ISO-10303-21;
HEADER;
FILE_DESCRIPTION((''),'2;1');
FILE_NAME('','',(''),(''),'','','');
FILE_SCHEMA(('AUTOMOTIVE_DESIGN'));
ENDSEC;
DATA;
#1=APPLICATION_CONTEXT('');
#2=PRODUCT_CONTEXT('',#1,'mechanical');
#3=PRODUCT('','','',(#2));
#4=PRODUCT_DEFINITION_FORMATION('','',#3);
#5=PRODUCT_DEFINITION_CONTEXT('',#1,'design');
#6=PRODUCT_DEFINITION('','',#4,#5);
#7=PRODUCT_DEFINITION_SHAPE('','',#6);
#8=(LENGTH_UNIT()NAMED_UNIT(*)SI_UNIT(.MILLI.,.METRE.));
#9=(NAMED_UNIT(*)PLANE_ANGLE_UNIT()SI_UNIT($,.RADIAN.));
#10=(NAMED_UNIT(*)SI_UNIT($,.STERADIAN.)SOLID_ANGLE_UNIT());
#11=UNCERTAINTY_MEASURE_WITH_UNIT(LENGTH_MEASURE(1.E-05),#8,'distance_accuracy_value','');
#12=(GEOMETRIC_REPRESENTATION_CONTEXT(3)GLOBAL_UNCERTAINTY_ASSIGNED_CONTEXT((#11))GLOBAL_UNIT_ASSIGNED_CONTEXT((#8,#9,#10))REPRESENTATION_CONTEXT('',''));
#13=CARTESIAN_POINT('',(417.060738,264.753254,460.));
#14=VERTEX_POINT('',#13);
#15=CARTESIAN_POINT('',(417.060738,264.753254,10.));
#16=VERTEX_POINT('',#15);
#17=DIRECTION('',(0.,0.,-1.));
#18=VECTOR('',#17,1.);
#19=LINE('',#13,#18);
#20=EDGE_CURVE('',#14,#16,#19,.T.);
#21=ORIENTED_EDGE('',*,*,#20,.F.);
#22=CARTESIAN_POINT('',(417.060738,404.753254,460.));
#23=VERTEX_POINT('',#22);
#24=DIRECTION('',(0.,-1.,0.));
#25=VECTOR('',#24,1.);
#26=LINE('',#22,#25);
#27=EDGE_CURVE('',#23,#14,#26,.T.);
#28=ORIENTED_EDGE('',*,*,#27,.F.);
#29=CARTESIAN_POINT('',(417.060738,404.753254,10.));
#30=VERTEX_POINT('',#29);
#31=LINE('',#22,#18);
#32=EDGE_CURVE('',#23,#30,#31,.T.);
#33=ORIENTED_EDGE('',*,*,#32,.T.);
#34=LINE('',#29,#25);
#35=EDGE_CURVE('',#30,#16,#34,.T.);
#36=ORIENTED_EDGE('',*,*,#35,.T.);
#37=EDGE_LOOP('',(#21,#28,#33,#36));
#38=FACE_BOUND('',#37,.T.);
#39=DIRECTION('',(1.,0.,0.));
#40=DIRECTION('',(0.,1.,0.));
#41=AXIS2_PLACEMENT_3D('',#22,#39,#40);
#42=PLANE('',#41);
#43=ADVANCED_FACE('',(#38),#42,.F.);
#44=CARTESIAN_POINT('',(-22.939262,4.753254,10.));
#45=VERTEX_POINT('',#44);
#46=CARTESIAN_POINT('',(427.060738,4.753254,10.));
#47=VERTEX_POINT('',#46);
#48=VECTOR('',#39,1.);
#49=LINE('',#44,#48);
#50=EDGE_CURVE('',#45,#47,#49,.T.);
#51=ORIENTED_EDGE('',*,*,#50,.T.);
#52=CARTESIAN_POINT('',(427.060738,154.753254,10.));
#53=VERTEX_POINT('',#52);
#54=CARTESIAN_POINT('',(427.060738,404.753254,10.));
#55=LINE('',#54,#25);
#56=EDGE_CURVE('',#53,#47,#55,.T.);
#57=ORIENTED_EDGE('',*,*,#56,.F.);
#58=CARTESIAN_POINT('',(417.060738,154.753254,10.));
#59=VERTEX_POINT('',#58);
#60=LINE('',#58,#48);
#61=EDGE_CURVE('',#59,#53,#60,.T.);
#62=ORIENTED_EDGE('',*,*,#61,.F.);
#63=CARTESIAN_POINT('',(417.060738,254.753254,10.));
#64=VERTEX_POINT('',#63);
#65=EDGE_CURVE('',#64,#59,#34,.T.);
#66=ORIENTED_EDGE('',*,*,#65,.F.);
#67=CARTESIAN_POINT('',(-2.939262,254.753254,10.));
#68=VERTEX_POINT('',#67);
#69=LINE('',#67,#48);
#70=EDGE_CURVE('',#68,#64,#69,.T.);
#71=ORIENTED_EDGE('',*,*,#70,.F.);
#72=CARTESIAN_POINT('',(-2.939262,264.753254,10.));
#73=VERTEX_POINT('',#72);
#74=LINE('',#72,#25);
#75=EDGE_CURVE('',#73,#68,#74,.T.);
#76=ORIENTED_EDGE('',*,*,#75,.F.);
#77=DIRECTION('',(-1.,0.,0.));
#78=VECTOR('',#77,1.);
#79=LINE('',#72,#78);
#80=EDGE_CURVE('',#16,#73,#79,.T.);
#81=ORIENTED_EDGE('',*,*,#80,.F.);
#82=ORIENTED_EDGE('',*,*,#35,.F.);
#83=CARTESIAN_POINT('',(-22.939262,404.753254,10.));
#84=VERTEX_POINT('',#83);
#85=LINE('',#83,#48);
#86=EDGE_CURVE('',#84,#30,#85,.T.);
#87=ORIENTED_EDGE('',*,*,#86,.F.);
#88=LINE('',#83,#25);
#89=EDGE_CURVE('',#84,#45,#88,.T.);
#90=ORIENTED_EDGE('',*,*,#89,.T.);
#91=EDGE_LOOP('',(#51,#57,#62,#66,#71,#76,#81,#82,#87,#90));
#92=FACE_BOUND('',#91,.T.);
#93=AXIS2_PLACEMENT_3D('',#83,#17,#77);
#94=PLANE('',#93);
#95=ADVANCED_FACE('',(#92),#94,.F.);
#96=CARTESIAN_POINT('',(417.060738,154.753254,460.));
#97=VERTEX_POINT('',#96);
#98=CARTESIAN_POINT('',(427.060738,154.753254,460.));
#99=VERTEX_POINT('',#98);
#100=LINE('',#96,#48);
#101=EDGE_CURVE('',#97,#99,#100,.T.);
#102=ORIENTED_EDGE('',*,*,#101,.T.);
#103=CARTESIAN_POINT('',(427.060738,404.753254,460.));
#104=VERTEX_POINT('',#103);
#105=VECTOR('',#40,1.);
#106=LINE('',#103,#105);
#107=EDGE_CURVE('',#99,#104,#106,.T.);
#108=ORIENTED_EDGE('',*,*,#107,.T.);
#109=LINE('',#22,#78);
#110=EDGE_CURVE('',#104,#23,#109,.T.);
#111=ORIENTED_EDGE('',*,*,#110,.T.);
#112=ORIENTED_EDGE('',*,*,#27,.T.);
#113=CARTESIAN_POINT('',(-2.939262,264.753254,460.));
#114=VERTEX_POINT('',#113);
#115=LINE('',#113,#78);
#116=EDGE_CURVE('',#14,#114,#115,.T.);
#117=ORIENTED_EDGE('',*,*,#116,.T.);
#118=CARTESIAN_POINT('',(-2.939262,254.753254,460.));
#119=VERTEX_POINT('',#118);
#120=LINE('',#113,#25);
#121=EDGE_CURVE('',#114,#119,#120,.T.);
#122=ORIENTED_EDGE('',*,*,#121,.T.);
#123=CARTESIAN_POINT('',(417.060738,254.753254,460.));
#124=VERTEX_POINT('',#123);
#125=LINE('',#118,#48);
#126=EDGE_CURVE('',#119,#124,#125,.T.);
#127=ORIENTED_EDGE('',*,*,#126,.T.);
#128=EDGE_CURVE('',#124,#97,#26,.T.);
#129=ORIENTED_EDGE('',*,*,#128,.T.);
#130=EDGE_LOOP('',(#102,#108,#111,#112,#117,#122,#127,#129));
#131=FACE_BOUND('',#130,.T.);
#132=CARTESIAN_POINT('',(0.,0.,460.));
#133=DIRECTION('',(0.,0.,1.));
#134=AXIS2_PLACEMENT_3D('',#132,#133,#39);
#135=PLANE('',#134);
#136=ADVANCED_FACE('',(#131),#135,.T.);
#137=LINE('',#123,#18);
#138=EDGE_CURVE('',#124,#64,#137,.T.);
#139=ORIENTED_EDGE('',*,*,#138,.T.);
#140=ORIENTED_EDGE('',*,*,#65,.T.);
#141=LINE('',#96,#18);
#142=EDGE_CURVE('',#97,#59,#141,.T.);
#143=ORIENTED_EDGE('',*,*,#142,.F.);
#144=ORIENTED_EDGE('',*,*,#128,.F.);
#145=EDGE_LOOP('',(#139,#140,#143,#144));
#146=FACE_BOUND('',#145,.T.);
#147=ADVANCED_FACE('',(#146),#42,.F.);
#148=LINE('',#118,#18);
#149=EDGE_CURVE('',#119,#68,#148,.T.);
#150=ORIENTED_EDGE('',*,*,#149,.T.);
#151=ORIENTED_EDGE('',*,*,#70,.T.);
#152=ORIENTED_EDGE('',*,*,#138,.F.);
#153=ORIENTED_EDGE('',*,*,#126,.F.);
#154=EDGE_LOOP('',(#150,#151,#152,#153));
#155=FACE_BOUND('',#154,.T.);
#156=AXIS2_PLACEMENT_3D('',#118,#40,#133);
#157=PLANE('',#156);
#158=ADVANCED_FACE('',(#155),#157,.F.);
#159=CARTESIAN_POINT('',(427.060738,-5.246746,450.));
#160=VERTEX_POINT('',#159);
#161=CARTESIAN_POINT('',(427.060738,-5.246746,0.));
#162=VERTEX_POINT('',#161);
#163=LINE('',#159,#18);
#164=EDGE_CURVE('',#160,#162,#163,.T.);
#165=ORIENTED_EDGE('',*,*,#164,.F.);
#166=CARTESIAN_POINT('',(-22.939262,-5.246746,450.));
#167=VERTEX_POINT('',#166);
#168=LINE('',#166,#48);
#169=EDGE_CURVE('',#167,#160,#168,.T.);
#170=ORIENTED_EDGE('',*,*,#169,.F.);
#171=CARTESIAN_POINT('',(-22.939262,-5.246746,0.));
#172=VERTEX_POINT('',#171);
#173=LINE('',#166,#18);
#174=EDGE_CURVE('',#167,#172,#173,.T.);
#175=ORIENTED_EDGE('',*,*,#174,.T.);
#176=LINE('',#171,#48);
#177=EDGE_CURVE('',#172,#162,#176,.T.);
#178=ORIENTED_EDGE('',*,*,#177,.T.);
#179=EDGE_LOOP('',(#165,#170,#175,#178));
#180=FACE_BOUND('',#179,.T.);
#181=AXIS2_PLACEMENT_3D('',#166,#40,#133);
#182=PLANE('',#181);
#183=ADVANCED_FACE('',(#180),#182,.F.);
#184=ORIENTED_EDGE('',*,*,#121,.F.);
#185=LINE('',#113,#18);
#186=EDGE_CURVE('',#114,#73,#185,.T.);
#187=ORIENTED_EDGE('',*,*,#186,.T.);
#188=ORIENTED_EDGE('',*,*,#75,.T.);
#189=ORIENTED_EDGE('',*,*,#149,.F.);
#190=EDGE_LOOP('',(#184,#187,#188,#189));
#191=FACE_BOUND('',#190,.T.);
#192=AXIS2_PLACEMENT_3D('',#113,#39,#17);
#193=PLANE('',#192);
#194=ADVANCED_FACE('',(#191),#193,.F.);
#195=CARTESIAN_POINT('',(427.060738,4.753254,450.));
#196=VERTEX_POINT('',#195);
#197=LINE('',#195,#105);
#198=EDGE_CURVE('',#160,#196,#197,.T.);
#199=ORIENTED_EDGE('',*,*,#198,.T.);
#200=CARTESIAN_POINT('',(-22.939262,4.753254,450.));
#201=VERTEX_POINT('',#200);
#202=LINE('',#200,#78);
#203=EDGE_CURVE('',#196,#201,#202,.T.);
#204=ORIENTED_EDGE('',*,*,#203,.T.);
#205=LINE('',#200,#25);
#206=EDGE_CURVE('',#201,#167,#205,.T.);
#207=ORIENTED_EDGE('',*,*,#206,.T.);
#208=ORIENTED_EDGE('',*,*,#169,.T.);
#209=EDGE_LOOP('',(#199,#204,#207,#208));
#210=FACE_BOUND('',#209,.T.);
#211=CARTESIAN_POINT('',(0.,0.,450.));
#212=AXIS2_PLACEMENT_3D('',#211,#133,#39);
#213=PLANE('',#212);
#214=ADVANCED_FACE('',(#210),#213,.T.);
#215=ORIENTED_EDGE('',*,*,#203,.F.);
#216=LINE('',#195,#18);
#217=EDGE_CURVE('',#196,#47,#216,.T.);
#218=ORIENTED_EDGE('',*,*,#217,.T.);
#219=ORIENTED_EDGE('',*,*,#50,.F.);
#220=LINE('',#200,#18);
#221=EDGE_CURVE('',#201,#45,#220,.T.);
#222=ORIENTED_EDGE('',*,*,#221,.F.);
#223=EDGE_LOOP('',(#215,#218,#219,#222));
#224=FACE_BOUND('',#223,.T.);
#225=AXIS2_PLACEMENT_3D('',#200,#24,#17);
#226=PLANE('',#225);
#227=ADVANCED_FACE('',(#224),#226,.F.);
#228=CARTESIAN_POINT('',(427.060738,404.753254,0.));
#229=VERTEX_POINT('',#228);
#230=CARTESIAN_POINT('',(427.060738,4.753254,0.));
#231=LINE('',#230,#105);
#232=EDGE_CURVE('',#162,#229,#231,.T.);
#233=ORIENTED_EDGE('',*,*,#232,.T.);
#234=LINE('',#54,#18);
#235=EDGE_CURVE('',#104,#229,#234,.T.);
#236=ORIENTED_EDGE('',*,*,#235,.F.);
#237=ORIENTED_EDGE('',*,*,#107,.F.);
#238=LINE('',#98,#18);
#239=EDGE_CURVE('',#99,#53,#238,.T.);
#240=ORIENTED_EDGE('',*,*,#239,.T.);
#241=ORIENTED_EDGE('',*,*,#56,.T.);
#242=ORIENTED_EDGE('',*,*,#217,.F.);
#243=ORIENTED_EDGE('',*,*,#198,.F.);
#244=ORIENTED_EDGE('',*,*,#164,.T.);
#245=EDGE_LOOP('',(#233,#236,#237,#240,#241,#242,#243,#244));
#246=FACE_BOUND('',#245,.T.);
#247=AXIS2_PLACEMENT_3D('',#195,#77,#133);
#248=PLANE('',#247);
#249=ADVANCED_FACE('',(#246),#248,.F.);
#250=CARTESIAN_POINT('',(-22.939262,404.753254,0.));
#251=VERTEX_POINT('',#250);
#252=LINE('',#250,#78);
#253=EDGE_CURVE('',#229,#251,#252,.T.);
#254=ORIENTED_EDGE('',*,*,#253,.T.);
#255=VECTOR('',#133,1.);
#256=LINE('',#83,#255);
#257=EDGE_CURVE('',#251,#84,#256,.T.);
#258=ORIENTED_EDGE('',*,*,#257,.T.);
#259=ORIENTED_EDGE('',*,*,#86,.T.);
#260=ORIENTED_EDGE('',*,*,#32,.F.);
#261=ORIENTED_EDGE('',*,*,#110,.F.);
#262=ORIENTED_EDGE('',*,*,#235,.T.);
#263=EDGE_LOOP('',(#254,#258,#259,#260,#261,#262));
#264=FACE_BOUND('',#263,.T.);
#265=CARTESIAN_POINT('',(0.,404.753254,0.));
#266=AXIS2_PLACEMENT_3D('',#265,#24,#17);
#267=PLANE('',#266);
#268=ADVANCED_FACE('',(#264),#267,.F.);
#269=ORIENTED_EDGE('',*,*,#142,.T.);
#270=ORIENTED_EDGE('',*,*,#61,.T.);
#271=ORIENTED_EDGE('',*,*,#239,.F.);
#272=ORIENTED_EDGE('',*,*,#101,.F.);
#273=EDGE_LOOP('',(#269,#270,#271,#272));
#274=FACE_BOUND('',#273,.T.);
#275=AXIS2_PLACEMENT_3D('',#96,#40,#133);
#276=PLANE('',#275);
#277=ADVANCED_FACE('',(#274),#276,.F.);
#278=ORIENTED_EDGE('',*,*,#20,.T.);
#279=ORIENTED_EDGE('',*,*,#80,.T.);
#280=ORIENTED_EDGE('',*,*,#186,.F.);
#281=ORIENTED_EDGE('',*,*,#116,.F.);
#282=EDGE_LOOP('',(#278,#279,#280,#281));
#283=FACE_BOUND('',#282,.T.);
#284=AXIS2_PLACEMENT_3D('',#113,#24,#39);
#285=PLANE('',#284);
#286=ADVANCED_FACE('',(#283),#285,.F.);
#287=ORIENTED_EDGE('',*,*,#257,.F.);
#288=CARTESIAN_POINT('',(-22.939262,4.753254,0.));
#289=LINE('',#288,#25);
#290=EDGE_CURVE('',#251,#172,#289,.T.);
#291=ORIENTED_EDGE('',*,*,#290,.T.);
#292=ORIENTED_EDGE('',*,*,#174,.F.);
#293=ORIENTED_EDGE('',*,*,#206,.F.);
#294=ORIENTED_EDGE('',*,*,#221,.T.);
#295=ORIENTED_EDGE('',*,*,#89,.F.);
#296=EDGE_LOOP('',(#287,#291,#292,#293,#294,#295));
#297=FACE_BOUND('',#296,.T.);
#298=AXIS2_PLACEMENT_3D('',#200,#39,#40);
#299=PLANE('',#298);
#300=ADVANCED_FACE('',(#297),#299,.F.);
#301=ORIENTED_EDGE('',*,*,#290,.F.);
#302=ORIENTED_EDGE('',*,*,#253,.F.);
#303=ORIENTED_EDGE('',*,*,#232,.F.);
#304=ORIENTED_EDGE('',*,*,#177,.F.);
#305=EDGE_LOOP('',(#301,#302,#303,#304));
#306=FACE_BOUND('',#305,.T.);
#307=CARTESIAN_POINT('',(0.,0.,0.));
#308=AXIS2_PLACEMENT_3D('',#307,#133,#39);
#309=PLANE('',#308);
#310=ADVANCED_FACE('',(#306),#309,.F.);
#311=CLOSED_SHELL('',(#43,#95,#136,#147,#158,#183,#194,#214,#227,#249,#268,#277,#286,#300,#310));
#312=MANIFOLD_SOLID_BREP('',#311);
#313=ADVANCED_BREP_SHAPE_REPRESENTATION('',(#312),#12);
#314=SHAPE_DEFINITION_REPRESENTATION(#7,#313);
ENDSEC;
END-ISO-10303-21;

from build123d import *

# Parameters (mm, degrees)
SKETCH1_W           = 450
SKETCH1_H           = 10
BOSS_EXTRUDE1_DEPTH = 450
SKETCH2_W           = 450
SKETCH2_H           = 10
BOSS_EXTRUDE2_DEPTH = 400
SKETCH3_W           = 10
SKETCH3_H           = 250
BOSS_EXTRUDE3_DEPTH = 450
SKETCH4_W           = 420
SKETCH4_H           = 10
BOSS_EXTRUDE4_DEPTH = 450


with BuildPart() as part:
    # Sketch1 → Boss-Extrude1 (new body)
    with BuildSketch(Plane.XY):
        with Locations((202.060737527, -0.246746204)):
            Rectangle(SKETCH1_W, SKETCH1_H)
    extrude(amount=BOSS_EXTRUDE1_DEPTH)

    # Sketch2 → Boss-Extrude2 (add)
    with BuildSketch(Plane(origin=(0, 4.753253796, 0), x_dir=(1, 0, 0), z_dir=(0, 1, 0))):
        with Locations((202.060737527, -5)):
            Rectangle(SKETCH2_W, SKETCH2_H)
    extrude(amount=BOSS_EXTRUDE2_DEPTH)

    # Sketch3 → Boss-Extrude3 (add)
    with BuildSketch(Plane.XY.offset(10)):
        with Locations((422.060737527, 279.753253796)):
            Rectangle(SKETCH3_W, SKETCH3_H)
    extrude(amount=BOSS_EXTRUDE3_DEPTH)

    # Sketch4 → Boss-Extrude4 (add)
    with BuildSketch(Plane.XY.offset(10)):
        with Locations((207.060737527, 259.753253796)):
            Rectangle(SKETCH4_W, SKETCH4_H)
    extrude(amount=BOSS_EXTRUDE4_DEPTH)


solid = part.part
